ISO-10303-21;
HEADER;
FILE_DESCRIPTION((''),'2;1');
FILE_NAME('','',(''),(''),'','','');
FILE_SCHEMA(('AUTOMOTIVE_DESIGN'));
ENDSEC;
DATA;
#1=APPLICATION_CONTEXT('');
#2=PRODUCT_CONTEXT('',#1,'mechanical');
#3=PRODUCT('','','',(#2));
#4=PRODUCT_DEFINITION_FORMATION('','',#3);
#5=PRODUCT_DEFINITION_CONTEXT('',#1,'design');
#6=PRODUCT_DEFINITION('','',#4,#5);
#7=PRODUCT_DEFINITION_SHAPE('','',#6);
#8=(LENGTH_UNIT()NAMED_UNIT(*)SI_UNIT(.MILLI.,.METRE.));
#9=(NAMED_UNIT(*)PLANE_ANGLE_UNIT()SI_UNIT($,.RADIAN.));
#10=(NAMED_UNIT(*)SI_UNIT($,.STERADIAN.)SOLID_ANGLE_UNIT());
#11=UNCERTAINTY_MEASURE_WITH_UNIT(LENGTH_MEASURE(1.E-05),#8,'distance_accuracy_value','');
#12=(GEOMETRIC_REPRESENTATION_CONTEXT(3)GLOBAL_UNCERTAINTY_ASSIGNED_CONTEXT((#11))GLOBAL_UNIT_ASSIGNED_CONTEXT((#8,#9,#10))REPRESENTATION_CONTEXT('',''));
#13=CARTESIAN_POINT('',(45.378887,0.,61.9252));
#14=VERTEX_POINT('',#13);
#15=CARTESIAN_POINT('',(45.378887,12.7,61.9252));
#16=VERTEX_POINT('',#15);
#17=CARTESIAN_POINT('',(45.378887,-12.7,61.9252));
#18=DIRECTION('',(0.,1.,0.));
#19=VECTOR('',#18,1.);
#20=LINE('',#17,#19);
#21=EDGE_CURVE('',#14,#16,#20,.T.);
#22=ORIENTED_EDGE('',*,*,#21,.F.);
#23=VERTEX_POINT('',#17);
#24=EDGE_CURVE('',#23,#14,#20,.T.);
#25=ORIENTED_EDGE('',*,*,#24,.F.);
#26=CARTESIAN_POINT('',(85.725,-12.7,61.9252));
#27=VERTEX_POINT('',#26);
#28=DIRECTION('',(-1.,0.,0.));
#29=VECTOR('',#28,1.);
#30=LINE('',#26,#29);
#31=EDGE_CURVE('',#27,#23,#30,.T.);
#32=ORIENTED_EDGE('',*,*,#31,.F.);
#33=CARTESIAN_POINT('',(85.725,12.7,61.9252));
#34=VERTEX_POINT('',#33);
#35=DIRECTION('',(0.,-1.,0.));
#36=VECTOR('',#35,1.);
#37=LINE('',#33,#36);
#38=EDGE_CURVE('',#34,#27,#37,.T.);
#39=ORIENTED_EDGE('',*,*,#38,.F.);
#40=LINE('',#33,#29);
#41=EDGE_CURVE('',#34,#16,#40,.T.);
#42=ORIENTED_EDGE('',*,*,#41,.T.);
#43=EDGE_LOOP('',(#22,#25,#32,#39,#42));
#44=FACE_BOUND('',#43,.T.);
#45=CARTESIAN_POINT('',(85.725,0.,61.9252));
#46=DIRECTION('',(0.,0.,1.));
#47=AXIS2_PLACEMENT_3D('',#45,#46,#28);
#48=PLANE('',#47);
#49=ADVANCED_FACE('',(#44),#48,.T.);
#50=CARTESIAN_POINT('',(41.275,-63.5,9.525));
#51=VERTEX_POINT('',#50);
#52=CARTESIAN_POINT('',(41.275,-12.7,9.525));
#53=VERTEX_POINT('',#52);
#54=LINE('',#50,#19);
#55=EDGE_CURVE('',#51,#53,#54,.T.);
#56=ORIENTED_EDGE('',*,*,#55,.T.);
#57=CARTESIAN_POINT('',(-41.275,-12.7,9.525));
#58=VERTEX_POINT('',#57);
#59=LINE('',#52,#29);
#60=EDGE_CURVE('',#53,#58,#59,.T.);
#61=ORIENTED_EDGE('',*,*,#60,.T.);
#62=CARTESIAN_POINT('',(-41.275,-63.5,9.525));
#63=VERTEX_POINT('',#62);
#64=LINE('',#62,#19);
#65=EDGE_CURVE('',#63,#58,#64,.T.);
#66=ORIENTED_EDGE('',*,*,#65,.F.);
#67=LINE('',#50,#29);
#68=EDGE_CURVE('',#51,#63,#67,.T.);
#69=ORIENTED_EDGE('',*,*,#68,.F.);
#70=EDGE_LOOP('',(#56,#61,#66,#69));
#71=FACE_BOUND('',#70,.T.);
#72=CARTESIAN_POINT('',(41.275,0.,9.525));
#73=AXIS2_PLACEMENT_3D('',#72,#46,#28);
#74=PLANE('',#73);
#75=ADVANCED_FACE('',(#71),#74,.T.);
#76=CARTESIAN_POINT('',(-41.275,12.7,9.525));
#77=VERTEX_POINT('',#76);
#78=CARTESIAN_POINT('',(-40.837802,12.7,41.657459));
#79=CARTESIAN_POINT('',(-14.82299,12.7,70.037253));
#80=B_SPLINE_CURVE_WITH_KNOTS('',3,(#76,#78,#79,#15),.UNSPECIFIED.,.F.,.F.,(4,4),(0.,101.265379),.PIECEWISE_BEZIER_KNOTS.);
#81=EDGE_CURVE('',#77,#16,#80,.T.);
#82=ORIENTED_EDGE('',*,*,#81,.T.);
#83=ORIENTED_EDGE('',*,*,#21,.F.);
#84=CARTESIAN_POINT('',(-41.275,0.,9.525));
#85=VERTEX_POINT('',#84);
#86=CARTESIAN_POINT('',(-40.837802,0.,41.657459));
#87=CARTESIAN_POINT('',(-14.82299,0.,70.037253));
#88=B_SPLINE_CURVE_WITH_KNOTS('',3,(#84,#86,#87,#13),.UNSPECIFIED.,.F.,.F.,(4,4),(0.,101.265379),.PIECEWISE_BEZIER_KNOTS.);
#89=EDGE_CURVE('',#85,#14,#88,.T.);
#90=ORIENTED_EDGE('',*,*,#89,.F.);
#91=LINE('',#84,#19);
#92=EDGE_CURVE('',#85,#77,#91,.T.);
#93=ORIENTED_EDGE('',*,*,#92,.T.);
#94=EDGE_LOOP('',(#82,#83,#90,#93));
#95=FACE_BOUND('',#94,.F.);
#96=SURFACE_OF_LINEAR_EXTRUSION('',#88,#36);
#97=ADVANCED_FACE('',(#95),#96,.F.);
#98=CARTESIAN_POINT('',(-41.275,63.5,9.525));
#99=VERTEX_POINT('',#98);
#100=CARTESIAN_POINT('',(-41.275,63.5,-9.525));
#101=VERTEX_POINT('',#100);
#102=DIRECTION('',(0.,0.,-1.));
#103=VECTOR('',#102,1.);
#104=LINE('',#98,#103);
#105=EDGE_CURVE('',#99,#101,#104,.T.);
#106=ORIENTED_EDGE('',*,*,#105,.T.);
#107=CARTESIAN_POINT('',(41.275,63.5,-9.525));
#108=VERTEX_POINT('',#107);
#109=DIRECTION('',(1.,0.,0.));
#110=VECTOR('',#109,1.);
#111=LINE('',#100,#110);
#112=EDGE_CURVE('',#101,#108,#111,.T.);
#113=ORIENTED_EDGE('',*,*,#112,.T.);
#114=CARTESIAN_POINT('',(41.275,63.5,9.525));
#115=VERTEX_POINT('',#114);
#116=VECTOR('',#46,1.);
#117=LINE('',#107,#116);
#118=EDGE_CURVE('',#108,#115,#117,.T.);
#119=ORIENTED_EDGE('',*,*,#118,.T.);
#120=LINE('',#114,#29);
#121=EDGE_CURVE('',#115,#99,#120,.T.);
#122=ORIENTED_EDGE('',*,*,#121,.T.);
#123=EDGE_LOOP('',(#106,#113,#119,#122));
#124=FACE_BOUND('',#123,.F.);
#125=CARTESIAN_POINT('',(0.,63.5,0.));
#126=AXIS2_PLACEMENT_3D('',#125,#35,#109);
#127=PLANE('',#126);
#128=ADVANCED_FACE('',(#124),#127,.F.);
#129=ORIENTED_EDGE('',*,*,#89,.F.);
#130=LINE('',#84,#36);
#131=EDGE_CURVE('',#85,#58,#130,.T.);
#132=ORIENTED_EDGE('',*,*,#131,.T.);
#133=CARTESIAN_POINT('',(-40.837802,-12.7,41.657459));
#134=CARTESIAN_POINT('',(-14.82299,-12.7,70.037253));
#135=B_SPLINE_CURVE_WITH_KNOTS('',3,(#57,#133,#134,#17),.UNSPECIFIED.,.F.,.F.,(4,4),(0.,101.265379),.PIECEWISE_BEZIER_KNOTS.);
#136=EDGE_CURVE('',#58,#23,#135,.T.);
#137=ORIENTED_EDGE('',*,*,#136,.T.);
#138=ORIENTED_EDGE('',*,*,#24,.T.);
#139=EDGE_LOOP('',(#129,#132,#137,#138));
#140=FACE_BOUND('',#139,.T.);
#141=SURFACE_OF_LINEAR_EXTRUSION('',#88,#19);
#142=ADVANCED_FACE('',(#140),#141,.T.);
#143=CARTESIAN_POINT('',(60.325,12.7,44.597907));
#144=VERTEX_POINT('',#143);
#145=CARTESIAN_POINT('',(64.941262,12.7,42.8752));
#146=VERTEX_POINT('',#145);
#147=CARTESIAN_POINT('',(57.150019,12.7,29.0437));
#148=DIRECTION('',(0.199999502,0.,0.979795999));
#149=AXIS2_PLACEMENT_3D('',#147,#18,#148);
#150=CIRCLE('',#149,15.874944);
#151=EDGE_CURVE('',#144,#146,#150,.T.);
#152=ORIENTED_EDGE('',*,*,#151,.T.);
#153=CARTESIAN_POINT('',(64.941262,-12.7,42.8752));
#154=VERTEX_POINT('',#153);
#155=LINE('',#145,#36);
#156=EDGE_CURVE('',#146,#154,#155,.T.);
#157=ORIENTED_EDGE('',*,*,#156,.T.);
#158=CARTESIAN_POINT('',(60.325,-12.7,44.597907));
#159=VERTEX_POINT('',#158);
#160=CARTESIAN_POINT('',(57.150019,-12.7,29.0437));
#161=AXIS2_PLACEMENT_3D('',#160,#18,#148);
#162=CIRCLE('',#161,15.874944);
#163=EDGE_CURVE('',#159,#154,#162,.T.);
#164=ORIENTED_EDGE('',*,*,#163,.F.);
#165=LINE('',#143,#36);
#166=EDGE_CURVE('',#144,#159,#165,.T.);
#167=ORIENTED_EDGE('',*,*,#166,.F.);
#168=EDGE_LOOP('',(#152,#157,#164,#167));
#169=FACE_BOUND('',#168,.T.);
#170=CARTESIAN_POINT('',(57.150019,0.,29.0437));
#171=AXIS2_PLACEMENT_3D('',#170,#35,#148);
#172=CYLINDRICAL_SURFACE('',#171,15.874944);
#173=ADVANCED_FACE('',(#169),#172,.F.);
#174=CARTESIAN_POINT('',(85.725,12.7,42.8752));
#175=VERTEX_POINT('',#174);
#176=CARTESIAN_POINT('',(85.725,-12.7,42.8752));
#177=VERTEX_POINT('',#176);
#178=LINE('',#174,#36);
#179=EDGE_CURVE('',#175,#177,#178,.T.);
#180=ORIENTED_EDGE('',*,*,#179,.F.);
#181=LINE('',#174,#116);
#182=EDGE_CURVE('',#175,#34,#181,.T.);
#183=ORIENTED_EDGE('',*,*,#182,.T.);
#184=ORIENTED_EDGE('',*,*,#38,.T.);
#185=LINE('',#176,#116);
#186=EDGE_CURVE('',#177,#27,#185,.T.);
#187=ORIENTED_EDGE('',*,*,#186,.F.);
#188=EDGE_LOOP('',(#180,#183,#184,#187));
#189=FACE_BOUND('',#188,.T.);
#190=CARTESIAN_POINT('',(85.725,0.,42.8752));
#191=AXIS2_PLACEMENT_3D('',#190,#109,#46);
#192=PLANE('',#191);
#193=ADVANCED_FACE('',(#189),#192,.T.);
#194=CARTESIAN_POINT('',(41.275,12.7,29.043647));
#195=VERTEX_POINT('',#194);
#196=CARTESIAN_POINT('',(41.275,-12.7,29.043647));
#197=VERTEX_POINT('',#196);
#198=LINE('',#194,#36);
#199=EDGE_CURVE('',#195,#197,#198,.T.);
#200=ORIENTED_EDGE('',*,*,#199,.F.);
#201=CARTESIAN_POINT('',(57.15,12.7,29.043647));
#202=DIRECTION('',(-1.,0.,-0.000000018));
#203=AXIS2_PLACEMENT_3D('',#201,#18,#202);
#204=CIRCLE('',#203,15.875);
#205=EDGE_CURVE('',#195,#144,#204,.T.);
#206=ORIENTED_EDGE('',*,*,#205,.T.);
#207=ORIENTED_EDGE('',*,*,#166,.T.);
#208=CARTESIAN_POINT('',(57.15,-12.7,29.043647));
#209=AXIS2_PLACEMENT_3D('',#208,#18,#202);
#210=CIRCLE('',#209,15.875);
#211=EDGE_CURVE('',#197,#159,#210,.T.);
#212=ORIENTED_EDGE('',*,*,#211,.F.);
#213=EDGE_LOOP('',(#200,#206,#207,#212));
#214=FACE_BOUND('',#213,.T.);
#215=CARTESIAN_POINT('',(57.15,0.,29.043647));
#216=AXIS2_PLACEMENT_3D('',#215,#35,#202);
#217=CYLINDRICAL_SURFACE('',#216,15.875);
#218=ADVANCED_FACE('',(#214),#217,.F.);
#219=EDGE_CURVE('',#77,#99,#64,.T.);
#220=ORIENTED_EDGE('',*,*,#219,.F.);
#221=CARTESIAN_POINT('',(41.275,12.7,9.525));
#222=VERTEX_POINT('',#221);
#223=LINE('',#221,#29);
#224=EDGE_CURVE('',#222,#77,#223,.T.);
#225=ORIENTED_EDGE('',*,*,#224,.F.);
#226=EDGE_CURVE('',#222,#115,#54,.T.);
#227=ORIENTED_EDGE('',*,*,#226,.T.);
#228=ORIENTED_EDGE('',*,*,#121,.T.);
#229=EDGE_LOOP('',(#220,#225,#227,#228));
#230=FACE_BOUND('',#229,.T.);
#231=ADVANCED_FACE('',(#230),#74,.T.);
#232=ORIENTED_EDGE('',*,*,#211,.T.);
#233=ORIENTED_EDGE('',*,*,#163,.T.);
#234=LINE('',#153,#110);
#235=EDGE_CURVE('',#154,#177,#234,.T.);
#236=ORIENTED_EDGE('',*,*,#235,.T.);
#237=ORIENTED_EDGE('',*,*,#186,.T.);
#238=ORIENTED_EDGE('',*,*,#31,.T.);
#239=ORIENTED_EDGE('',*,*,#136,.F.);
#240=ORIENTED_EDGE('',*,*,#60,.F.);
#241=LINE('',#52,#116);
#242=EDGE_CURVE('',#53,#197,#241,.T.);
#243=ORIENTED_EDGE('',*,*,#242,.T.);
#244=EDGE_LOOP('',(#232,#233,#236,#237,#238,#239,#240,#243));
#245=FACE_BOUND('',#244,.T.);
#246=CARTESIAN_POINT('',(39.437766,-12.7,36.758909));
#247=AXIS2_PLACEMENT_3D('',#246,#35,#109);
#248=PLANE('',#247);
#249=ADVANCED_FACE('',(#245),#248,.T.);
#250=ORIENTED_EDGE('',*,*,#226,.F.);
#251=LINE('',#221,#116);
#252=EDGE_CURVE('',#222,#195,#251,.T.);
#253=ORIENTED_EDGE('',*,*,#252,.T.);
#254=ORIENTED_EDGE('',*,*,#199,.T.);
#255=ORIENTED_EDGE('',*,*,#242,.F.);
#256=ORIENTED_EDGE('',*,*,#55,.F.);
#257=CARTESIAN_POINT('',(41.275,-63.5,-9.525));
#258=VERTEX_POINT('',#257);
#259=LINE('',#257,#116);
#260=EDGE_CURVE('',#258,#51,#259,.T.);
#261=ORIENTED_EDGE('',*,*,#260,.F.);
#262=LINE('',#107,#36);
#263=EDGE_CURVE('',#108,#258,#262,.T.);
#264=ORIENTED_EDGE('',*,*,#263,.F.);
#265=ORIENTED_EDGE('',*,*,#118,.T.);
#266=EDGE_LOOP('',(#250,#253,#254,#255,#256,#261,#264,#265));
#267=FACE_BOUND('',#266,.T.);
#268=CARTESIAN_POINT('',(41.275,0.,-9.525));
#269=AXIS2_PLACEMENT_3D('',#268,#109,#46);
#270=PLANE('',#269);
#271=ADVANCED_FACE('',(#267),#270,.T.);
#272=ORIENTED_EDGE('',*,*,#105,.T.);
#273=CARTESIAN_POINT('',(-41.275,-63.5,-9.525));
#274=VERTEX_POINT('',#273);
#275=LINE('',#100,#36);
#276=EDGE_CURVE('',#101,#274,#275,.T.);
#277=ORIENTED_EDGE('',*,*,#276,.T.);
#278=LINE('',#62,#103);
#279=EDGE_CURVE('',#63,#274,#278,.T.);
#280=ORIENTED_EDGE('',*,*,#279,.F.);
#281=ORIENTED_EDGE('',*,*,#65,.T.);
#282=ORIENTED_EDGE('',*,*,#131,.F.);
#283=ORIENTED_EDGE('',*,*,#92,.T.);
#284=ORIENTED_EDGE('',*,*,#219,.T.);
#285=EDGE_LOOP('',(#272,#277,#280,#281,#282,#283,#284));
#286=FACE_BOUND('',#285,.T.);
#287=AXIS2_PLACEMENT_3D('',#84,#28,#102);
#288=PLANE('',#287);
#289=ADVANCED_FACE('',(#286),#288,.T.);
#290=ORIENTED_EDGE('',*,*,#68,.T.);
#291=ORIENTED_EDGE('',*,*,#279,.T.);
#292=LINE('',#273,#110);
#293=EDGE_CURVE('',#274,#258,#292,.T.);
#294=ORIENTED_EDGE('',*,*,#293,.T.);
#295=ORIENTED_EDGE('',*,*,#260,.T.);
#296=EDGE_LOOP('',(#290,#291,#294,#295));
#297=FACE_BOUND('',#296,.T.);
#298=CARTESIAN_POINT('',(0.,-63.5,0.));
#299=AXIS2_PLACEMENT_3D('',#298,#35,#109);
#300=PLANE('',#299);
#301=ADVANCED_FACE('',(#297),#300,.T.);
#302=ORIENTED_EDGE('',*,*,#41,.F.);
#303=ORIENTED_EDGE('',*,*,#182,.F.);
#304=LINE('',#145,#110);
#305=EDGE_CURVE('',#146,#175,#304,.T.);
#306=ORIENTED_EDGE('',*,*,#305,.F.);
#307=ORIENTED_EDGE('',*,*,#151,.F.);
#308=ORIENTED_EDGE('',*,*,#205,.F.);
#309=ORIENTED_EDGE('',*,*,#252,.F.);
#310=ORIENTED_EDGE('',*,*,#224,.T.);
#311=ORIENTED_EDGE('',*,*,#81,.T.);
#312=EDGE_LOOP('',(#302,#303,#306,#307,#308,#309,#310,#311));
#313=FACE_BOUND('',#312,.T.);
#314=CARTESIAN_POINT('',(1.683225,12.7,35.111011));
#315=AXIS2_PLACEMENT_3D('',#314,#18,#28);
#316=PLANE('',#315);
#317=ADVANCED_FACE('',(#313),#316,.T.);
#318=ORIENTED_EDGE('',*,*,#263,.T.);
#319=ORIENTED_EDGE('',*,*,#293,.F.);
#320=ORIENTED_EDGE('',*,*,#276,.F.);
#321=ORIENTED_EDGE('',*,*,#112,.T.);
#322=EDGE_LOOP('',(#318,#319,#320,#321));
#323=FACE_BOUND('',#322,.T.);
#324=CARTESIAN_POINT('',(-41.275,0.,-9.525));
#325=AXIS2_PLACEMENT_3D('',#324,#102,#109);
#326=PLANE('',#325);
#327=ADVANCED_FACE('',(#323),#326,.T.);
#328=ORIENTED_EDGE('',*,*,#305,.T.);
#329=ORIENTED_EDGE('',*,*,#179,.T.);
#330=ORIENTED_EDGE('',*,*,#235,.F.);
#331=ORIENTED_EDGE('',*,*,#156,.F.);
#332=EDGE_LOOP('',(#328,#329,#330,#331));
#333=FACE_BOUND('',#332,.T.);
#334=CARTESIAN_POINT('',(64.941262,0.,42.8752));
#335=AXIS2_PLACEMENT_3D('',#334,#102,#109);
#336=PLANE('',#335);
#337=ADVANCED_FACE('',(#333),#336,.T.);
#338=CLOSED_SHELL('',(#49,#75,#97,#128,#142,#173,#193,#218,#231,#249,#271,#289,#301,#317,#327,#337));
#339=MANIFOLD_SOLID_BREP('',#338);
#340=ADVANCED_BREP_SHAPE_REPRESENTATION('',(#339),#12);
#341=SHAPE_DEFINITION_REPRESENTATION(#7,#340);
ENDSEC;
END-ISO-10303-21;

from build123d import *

# Parameters (mm, degrees)
F1_DEPTH = 63.5
F2_DEPTH = 12.7
F3_DEPTH = 12.7


with BuildPart() as f1:
    # F0 (on Front) → F1 (new body, symmetric)
    with BuildSketch(Plane.XZ):
        Polygon((-41.275, 9.525), (-41.275, -9.525), (41.275, -9.525), (41.275, 9.525), (22.225, 9.525), align=None)
    extrude(amount=F1_DEPTH, both=True)

    # F0 (on Front) → F2 (join, symmetric)
    with BuildSketch(Plane.XZ):
        with BuildLine():
            Line((22.225, 9.525), (41.275, 9.525))
            Line((41.275, 9.525), (41.275, 29.043647))
            ThreePointArc((41.275, 29.043647), (47.109768, 41.340369), (60.325, 44.597907))
            Line((60.325, 44.597907), (60.325, 61.9252))
            Line((60.325, 61.9252), (45.378887, 61.9252))
            ThreePointArc((45.378887, 61.9252), (28.59425, 49.151475), (22.225, 29.043647))
            Line((22.225, 29.043647), (22.225, 9.525))
        make_face()
        with BuildLine():
            Line((85.725, 61.9252), (60.325, 61.9252))
            Line((60.325, 61.9252), (60.325, 44.597907))
            ThreePointArc((60.325, 44.597907), (62.700375, 43.916743), (64.941262, 42.8752))
            Line((64.941262, 42.8752), (85.725, 42.8752))
            Line((85.725, 42.8752), (85.725, 61.9252))
        make_face()
    extrude(amount=F2_DEPTH, both=True)

    # F0 (on Front) → F3 (join, symmetric)
    with BuildSketch(Plane.XZ):
        with BuildLine():
            add(Edge.make_bspline(
                [(-41.275, 9.525), (-40.837802, 41.657459), (-14.82299, 70.037253), (45.378887, 61.9252)],
                knots=[0, 0, 0, 0, 101.265379, 101.265379, 101.265379, 101.265379], degree=3))
            Line((-41.275, 9.525), (22.225, 9.525))
            Line((22.225, 9.525), (22.225, 29.043647))
            ThreePointArc((22.225, 29.043647), (28.59425, 49.151475), (45.378887, 61.9252))
        make_face()
    extrude(amount=F3_DEPTH, both=True)


solid = f1.part
